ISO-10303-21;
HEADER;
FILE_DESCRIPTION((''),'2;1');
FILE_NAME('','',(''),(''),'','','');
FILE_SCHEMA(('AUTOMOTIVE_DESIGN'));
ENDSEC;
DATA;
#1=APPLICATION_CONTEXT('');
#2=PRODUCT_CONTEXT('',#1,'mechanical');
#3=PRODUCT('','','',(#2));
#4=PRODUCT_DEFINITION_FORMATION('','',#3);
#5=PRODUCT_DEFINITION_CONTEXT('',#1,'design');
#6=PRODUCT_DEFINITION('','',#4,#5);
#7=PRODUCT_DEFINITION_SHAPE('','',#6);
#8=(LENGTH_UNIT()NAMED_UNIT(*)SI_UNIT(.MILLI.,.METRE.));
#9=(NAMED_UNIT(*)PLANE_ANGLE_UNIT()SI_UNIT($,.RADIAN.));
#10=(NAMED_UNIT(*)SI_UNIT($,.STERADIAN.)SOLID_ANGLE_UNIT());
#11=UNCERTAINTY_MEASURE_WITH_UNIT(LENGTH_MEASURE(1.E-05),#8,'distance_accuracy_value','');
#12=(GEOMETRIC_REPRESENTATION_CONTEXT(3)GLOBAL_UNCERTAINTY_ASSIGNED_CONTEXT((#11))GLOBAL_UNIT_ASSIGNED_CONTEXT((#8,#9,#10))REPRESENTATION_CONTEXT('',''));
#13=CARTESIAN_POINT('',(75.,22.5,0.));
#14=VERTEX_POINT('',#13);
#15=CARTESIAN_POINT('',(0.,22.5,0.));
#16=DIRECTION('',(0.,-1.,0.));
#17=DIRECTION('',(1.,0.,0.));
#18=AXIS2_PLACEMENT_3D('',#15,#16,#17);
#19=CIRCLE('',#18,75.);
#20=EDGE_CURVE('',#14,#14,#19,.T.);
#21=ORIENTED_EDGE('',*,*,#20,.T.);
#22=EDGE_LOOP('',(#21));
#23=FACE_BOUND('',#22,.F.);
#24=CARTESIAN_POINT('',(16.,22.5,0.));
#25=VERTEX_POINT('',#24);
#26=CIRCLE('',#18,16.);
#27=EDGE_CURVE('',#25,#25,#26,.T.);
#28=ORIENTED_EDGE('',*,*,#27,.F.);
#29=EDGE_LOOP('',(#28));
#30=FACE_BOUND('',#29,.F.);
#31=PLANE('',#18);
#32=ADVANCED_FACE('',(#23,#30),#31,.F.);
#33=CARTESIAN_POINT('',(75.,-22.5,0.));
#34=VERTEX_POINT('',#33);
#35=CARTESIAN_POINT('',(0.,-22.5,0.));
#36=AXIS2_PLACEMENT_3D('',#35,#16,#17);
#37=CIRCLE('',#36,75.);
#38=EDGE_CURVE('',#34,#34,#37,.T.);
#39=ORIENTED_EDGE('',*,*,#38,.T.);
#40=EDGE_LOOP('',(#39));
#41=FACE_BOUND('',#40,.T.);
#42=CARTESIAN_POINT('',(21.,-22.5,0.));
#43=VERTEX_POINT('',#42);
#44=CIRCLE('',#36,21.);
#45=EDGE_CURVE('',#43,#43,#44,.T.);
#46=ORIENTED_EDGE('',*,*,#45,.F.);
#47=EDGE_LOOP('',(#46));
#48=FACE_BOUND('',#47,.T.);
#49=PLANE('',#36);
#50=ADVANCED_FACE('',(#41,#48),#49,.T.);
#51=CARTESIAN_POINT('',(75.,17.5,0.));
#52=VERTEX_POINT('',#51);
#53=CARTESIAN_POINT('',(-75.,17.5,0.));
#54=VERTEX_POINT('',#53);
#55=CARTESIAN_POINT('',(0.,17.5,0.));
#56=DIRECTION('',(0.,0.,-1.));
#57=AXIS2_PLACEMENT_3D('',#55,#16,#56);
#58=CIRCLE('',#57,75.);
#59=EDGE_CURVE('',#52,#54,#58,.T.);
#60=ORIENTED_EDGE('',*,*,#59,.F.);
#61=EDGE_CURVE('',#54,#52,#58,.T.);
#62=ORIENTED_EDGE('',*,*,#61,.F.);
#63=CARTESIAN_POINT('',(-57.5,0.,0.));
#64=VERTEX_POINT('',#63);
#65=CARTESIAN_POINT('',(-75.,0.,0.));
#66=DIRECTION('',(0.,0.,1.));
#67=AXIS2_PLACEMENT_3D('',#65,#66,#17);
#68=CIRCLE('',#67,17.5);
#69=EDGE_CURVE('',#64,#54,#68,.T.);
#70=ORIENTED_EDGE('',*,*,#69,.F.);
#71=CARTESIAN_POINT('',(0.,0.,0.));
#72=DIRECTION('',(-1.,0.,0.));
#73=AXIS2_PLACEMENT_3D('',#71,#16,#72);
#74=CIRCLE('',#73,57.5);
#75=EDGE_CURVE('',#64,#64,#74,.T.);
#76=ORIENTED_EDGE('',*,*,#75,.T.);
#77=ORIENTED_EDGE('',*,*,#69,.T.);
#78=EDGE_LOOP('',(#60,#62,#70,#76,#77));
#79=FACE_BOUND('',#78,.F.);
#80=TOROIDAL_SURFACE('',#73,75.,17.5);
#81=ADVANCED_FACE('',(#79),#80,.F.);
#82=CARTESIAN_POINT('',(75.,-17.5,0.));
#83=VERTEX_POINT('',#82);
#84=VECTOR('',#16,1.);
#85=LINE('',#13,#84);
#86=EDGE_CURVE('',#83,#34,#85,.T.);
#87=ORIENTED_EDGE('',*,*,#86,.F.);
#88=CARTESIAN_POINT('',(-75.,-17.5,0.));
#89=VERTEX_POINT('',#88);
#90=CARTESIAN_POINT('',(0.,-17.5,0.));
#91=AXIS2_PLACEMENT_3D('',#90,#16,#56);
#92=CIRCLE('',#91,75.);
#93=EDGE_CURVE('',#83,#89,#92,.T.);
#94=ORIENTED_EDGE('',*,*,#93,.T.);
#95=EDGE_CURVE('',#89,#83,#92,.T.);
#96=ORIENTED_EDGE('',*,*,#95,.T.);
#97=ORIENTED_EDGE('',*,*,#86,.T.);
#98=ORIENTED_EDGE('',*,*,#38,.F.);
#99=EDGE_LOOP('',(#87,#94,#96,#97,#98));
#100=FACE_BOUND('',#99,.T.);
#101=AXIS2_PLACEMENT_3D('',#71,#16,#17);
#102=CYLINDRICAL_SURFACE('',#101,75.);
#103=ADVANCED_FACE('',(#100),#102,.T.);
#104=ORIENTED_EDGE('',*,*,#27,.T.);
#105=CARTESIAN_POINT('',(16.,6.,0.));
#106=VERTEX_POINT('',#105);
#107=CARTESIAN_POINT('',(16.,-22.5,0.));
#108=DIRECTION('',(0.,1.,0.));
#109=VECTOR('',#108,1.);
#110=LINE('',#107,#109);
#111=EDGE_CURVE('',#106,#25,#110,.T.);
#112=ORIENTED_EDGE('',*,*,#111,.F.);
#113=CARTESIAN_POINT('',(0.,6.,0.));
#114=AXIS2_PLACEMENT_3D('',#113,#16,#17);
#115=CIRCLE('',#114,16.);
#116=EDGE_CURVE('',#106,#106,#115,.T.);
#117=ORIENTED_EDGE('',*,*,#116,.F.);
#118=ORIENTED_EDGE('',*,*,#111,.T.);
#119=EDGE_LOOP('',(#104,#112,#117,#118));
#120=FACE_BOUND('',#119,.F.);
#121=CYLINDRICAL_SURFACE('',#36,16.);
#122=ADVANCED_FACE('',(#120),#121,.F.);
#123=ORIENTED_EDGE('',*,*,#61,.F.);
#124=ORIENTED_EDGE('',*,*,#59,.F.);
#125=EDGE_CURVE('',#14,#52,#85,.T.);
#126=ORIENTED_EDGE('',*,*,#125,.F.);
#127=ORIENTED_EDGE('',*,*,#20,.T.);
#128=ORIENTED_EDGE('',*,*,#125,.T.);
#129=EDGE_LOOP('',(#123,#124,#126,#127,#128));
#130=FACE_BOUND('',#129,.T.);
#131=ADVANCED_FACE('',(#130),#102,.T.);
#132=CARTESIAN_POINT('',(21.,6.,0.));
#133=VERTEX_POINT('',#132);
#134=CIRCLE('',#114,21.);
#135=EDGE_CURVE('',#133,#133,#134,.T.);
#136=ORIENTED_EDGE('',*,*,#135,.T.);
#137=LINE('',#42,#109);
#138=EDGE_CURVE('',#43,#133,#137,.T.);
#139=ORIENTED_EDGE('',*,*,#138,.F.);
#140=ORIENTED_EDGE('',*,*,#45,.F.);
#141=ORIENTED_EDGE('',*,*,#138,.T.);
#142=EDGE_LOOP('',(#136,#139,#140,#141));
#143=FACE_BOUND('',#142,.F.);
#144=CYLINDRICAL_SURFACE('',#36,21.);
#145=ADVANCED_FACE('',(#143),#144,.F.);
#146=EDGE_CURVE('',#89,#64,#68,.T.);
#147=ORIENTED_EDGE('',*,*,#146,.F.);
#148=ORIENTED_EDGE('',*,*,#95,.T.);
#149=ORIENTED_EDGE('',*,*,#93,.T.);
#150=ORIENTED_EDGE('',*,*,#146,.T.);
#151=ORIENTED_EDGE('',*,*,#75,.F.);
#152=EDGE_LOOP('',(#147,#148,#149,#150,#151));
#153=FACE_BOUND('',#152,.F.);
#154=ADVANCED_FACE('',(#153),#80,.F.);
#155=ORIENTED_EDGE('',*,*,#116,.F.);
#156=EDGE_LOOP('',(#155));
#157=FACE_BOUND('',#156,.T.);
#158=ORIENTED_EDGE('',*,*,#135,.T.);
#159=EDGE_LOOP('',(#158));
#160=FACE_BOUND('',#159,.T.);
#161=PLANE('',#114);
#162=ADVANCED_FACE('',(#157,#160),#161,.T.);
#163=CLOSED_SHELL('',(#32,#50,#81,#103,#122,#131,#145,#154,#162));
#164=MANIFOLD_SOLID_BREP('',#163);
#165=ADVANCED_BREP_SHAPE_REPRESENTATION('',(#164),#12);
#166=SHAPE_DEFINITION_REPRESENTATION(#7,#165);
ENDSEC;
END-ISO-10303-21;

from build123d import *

# Parameters (mm, degrees)
F0_R       = 75
F1_DEPTH   = 22.5
F2_R       = 17.5
F5_R       = 21
F6_DEPTH   = 28.5
F7_R       = 16
F1_FACE1_R = 75
F8_DEPTH   = 45.001


with BuildPart() as f1:
    # F0 (on Front) → F1 (new body, symmetric)
    with BuildSketch(Plane.XZ):
        Circle(F0_R)
    extrude(amount=F1_DEPTH, both=True)

    # F2 (on Top) → F4 (revolve, cut)
    with BuildSketch(Plane.XY):
        with Locations((-75, 0)):
            Circle(F2_R)
    revolve(axis=Axis((0, 4.404310137, 0), (0, -1, 0)), mode=Mode.SUBTRACT)

    # F5 (on face) → F6 (cut)
    with BuildSketch(Plane.XZ.offset(22.5)):
        Circle(F5_R)
    extrude(amount=-F6_DEPTH, mode=Mode.SUBTRACT)

    # F7 (on face) + F1_face1 (on face) → F8 (cut, through all)
    with BuildSketch(Plane.XZ.offset(22.5)):
        Circle(F7_R)
    with BuildSketch(Plane(origin=(0, 22.5, 0), x_dir=(1, 0, 0), z_dir=(0, 1, 0))):
        Circle(F1_FACE1_R)
    extrude(amount=-F8_DEPTH, dir=(0, -1, 0), mode=Mode.SUBTRACT)


solid = f1.part
